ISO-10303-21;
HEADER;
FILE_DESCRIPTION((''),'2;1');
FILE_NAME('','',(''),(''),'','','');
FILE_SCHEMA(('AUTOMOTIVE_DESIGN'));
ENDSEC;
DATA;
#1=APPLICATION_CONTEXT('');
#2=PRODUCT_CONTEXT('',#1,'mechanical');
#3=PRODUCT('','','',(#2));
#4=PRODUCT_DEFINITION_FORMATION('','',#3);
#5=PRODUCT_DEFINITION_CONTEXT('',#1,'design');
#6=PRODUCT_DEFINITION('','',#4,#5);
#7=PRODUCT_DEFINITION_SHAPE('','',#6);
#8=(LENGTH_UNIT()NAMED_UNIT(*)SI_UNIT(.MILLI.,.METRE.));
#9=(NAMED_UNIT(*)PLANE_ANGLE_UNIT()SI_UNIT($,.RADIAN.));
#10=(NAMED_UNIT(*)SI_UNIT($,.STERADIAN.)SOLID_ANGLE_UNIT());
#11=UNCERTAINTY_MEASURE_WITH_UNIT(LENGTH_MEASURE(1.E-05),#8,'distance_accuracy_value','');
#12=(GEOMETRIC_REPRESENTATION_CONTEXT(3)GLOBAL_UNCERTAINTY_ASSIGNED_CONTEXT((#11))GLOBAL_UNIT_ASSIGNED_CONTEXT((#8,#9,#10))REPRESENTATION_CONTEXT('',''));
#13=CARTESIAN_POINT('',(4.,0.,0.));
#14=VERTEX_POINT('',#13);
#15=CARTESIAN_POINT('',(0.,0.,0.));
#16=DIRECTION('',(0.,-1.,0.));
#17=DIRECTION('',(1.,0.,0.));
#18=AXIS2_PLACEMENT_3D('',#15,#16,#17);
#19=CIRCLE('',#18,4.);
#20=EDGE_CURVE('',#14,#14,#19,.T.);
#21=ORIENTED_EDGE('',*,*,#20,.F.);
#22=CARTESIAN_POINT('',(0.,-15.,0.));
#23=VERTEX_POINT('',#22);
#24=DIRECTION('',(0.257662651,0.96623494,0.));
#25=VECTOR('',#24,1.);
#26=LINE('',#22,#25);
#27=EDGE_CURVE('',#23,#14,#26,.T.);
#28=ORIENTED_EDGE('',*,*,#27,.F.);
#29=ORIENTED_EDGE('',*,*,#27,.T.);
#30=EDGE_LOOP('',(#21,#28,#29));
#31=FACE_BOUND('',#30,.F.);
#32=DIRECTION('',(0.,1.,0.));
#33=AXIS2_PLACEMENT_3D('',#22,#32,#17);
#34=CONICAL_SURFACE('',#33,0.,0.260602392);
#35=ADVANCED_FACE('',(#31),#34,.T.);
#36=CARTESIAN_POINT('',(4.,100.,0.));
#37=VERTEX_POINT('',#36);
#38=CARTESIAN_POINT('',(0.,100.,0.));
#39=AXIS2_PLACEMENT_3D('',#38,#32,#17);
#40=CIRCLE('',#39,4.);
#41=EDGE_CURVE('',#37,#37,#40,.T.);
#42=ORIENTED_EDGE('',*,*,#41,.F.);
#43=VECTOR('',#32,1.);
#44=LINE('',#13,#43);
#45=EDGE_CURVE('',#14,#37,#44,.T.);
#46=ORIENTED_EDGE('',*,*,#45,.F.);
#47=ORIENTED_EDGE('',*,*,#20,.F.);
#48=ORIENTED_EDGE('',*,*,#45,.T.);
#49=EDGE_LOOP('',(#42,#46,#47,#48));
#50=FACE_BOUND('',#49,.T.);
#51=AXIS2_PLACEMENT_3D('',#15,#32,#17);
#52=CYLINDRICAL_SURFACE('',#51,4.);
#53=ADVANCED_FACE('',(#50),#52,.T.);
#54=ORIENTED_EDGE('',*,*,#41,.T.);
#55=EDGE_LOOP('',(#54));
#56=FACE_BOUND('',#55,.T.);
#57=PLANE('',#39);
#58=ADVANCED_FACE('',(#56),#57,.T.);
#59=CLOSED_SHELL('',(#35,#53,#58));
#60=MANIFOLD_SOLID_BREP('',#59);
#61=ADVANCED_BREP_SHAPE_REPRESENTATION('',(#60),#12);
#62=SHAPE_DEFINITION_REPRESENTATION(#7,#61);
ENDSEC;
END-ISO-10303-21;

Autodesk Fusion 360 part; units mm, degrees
sketch "草图1" plane through (0, 0, 0) normal (1, 0, 0) x (0, 0, -1)
cylinder "圆柱体基本要素1" add diameter 8 height 100 placed x (1, 0, 0) y (0, 0, -1) z (0, 1, 0) at (0, 0, 0) makes body 1
sketch "草图3" plane through (0, 0, 0) normal (0, 0, 1) x (1, 0, 0)
  line L0 (0, 0) -> (4, 0)
  line L1 (4, 0) -> (0, -10)
  line L2 (0, -10) -> (0, 0)
  dimension "d3" = 4
sketch "草图4" plane through (0, 0, 0) normal (0, 0, 1) x (1, 0, 0)
  line L0 (0, 0) -> (4, 0)
  line L1 (0, 0) -> (0, -15)
  line L2 (0, -15) -> (4, 0)
  dimension "d5" = 4
  dimension "d6" = 15
revolve "旋转2" add sketch "草图4" angle 360 about axis through (0, 0, 0) along (0, -1, 0) separate body makes body 2
combine "合并1" operation add target body 2 tool bodies 1
